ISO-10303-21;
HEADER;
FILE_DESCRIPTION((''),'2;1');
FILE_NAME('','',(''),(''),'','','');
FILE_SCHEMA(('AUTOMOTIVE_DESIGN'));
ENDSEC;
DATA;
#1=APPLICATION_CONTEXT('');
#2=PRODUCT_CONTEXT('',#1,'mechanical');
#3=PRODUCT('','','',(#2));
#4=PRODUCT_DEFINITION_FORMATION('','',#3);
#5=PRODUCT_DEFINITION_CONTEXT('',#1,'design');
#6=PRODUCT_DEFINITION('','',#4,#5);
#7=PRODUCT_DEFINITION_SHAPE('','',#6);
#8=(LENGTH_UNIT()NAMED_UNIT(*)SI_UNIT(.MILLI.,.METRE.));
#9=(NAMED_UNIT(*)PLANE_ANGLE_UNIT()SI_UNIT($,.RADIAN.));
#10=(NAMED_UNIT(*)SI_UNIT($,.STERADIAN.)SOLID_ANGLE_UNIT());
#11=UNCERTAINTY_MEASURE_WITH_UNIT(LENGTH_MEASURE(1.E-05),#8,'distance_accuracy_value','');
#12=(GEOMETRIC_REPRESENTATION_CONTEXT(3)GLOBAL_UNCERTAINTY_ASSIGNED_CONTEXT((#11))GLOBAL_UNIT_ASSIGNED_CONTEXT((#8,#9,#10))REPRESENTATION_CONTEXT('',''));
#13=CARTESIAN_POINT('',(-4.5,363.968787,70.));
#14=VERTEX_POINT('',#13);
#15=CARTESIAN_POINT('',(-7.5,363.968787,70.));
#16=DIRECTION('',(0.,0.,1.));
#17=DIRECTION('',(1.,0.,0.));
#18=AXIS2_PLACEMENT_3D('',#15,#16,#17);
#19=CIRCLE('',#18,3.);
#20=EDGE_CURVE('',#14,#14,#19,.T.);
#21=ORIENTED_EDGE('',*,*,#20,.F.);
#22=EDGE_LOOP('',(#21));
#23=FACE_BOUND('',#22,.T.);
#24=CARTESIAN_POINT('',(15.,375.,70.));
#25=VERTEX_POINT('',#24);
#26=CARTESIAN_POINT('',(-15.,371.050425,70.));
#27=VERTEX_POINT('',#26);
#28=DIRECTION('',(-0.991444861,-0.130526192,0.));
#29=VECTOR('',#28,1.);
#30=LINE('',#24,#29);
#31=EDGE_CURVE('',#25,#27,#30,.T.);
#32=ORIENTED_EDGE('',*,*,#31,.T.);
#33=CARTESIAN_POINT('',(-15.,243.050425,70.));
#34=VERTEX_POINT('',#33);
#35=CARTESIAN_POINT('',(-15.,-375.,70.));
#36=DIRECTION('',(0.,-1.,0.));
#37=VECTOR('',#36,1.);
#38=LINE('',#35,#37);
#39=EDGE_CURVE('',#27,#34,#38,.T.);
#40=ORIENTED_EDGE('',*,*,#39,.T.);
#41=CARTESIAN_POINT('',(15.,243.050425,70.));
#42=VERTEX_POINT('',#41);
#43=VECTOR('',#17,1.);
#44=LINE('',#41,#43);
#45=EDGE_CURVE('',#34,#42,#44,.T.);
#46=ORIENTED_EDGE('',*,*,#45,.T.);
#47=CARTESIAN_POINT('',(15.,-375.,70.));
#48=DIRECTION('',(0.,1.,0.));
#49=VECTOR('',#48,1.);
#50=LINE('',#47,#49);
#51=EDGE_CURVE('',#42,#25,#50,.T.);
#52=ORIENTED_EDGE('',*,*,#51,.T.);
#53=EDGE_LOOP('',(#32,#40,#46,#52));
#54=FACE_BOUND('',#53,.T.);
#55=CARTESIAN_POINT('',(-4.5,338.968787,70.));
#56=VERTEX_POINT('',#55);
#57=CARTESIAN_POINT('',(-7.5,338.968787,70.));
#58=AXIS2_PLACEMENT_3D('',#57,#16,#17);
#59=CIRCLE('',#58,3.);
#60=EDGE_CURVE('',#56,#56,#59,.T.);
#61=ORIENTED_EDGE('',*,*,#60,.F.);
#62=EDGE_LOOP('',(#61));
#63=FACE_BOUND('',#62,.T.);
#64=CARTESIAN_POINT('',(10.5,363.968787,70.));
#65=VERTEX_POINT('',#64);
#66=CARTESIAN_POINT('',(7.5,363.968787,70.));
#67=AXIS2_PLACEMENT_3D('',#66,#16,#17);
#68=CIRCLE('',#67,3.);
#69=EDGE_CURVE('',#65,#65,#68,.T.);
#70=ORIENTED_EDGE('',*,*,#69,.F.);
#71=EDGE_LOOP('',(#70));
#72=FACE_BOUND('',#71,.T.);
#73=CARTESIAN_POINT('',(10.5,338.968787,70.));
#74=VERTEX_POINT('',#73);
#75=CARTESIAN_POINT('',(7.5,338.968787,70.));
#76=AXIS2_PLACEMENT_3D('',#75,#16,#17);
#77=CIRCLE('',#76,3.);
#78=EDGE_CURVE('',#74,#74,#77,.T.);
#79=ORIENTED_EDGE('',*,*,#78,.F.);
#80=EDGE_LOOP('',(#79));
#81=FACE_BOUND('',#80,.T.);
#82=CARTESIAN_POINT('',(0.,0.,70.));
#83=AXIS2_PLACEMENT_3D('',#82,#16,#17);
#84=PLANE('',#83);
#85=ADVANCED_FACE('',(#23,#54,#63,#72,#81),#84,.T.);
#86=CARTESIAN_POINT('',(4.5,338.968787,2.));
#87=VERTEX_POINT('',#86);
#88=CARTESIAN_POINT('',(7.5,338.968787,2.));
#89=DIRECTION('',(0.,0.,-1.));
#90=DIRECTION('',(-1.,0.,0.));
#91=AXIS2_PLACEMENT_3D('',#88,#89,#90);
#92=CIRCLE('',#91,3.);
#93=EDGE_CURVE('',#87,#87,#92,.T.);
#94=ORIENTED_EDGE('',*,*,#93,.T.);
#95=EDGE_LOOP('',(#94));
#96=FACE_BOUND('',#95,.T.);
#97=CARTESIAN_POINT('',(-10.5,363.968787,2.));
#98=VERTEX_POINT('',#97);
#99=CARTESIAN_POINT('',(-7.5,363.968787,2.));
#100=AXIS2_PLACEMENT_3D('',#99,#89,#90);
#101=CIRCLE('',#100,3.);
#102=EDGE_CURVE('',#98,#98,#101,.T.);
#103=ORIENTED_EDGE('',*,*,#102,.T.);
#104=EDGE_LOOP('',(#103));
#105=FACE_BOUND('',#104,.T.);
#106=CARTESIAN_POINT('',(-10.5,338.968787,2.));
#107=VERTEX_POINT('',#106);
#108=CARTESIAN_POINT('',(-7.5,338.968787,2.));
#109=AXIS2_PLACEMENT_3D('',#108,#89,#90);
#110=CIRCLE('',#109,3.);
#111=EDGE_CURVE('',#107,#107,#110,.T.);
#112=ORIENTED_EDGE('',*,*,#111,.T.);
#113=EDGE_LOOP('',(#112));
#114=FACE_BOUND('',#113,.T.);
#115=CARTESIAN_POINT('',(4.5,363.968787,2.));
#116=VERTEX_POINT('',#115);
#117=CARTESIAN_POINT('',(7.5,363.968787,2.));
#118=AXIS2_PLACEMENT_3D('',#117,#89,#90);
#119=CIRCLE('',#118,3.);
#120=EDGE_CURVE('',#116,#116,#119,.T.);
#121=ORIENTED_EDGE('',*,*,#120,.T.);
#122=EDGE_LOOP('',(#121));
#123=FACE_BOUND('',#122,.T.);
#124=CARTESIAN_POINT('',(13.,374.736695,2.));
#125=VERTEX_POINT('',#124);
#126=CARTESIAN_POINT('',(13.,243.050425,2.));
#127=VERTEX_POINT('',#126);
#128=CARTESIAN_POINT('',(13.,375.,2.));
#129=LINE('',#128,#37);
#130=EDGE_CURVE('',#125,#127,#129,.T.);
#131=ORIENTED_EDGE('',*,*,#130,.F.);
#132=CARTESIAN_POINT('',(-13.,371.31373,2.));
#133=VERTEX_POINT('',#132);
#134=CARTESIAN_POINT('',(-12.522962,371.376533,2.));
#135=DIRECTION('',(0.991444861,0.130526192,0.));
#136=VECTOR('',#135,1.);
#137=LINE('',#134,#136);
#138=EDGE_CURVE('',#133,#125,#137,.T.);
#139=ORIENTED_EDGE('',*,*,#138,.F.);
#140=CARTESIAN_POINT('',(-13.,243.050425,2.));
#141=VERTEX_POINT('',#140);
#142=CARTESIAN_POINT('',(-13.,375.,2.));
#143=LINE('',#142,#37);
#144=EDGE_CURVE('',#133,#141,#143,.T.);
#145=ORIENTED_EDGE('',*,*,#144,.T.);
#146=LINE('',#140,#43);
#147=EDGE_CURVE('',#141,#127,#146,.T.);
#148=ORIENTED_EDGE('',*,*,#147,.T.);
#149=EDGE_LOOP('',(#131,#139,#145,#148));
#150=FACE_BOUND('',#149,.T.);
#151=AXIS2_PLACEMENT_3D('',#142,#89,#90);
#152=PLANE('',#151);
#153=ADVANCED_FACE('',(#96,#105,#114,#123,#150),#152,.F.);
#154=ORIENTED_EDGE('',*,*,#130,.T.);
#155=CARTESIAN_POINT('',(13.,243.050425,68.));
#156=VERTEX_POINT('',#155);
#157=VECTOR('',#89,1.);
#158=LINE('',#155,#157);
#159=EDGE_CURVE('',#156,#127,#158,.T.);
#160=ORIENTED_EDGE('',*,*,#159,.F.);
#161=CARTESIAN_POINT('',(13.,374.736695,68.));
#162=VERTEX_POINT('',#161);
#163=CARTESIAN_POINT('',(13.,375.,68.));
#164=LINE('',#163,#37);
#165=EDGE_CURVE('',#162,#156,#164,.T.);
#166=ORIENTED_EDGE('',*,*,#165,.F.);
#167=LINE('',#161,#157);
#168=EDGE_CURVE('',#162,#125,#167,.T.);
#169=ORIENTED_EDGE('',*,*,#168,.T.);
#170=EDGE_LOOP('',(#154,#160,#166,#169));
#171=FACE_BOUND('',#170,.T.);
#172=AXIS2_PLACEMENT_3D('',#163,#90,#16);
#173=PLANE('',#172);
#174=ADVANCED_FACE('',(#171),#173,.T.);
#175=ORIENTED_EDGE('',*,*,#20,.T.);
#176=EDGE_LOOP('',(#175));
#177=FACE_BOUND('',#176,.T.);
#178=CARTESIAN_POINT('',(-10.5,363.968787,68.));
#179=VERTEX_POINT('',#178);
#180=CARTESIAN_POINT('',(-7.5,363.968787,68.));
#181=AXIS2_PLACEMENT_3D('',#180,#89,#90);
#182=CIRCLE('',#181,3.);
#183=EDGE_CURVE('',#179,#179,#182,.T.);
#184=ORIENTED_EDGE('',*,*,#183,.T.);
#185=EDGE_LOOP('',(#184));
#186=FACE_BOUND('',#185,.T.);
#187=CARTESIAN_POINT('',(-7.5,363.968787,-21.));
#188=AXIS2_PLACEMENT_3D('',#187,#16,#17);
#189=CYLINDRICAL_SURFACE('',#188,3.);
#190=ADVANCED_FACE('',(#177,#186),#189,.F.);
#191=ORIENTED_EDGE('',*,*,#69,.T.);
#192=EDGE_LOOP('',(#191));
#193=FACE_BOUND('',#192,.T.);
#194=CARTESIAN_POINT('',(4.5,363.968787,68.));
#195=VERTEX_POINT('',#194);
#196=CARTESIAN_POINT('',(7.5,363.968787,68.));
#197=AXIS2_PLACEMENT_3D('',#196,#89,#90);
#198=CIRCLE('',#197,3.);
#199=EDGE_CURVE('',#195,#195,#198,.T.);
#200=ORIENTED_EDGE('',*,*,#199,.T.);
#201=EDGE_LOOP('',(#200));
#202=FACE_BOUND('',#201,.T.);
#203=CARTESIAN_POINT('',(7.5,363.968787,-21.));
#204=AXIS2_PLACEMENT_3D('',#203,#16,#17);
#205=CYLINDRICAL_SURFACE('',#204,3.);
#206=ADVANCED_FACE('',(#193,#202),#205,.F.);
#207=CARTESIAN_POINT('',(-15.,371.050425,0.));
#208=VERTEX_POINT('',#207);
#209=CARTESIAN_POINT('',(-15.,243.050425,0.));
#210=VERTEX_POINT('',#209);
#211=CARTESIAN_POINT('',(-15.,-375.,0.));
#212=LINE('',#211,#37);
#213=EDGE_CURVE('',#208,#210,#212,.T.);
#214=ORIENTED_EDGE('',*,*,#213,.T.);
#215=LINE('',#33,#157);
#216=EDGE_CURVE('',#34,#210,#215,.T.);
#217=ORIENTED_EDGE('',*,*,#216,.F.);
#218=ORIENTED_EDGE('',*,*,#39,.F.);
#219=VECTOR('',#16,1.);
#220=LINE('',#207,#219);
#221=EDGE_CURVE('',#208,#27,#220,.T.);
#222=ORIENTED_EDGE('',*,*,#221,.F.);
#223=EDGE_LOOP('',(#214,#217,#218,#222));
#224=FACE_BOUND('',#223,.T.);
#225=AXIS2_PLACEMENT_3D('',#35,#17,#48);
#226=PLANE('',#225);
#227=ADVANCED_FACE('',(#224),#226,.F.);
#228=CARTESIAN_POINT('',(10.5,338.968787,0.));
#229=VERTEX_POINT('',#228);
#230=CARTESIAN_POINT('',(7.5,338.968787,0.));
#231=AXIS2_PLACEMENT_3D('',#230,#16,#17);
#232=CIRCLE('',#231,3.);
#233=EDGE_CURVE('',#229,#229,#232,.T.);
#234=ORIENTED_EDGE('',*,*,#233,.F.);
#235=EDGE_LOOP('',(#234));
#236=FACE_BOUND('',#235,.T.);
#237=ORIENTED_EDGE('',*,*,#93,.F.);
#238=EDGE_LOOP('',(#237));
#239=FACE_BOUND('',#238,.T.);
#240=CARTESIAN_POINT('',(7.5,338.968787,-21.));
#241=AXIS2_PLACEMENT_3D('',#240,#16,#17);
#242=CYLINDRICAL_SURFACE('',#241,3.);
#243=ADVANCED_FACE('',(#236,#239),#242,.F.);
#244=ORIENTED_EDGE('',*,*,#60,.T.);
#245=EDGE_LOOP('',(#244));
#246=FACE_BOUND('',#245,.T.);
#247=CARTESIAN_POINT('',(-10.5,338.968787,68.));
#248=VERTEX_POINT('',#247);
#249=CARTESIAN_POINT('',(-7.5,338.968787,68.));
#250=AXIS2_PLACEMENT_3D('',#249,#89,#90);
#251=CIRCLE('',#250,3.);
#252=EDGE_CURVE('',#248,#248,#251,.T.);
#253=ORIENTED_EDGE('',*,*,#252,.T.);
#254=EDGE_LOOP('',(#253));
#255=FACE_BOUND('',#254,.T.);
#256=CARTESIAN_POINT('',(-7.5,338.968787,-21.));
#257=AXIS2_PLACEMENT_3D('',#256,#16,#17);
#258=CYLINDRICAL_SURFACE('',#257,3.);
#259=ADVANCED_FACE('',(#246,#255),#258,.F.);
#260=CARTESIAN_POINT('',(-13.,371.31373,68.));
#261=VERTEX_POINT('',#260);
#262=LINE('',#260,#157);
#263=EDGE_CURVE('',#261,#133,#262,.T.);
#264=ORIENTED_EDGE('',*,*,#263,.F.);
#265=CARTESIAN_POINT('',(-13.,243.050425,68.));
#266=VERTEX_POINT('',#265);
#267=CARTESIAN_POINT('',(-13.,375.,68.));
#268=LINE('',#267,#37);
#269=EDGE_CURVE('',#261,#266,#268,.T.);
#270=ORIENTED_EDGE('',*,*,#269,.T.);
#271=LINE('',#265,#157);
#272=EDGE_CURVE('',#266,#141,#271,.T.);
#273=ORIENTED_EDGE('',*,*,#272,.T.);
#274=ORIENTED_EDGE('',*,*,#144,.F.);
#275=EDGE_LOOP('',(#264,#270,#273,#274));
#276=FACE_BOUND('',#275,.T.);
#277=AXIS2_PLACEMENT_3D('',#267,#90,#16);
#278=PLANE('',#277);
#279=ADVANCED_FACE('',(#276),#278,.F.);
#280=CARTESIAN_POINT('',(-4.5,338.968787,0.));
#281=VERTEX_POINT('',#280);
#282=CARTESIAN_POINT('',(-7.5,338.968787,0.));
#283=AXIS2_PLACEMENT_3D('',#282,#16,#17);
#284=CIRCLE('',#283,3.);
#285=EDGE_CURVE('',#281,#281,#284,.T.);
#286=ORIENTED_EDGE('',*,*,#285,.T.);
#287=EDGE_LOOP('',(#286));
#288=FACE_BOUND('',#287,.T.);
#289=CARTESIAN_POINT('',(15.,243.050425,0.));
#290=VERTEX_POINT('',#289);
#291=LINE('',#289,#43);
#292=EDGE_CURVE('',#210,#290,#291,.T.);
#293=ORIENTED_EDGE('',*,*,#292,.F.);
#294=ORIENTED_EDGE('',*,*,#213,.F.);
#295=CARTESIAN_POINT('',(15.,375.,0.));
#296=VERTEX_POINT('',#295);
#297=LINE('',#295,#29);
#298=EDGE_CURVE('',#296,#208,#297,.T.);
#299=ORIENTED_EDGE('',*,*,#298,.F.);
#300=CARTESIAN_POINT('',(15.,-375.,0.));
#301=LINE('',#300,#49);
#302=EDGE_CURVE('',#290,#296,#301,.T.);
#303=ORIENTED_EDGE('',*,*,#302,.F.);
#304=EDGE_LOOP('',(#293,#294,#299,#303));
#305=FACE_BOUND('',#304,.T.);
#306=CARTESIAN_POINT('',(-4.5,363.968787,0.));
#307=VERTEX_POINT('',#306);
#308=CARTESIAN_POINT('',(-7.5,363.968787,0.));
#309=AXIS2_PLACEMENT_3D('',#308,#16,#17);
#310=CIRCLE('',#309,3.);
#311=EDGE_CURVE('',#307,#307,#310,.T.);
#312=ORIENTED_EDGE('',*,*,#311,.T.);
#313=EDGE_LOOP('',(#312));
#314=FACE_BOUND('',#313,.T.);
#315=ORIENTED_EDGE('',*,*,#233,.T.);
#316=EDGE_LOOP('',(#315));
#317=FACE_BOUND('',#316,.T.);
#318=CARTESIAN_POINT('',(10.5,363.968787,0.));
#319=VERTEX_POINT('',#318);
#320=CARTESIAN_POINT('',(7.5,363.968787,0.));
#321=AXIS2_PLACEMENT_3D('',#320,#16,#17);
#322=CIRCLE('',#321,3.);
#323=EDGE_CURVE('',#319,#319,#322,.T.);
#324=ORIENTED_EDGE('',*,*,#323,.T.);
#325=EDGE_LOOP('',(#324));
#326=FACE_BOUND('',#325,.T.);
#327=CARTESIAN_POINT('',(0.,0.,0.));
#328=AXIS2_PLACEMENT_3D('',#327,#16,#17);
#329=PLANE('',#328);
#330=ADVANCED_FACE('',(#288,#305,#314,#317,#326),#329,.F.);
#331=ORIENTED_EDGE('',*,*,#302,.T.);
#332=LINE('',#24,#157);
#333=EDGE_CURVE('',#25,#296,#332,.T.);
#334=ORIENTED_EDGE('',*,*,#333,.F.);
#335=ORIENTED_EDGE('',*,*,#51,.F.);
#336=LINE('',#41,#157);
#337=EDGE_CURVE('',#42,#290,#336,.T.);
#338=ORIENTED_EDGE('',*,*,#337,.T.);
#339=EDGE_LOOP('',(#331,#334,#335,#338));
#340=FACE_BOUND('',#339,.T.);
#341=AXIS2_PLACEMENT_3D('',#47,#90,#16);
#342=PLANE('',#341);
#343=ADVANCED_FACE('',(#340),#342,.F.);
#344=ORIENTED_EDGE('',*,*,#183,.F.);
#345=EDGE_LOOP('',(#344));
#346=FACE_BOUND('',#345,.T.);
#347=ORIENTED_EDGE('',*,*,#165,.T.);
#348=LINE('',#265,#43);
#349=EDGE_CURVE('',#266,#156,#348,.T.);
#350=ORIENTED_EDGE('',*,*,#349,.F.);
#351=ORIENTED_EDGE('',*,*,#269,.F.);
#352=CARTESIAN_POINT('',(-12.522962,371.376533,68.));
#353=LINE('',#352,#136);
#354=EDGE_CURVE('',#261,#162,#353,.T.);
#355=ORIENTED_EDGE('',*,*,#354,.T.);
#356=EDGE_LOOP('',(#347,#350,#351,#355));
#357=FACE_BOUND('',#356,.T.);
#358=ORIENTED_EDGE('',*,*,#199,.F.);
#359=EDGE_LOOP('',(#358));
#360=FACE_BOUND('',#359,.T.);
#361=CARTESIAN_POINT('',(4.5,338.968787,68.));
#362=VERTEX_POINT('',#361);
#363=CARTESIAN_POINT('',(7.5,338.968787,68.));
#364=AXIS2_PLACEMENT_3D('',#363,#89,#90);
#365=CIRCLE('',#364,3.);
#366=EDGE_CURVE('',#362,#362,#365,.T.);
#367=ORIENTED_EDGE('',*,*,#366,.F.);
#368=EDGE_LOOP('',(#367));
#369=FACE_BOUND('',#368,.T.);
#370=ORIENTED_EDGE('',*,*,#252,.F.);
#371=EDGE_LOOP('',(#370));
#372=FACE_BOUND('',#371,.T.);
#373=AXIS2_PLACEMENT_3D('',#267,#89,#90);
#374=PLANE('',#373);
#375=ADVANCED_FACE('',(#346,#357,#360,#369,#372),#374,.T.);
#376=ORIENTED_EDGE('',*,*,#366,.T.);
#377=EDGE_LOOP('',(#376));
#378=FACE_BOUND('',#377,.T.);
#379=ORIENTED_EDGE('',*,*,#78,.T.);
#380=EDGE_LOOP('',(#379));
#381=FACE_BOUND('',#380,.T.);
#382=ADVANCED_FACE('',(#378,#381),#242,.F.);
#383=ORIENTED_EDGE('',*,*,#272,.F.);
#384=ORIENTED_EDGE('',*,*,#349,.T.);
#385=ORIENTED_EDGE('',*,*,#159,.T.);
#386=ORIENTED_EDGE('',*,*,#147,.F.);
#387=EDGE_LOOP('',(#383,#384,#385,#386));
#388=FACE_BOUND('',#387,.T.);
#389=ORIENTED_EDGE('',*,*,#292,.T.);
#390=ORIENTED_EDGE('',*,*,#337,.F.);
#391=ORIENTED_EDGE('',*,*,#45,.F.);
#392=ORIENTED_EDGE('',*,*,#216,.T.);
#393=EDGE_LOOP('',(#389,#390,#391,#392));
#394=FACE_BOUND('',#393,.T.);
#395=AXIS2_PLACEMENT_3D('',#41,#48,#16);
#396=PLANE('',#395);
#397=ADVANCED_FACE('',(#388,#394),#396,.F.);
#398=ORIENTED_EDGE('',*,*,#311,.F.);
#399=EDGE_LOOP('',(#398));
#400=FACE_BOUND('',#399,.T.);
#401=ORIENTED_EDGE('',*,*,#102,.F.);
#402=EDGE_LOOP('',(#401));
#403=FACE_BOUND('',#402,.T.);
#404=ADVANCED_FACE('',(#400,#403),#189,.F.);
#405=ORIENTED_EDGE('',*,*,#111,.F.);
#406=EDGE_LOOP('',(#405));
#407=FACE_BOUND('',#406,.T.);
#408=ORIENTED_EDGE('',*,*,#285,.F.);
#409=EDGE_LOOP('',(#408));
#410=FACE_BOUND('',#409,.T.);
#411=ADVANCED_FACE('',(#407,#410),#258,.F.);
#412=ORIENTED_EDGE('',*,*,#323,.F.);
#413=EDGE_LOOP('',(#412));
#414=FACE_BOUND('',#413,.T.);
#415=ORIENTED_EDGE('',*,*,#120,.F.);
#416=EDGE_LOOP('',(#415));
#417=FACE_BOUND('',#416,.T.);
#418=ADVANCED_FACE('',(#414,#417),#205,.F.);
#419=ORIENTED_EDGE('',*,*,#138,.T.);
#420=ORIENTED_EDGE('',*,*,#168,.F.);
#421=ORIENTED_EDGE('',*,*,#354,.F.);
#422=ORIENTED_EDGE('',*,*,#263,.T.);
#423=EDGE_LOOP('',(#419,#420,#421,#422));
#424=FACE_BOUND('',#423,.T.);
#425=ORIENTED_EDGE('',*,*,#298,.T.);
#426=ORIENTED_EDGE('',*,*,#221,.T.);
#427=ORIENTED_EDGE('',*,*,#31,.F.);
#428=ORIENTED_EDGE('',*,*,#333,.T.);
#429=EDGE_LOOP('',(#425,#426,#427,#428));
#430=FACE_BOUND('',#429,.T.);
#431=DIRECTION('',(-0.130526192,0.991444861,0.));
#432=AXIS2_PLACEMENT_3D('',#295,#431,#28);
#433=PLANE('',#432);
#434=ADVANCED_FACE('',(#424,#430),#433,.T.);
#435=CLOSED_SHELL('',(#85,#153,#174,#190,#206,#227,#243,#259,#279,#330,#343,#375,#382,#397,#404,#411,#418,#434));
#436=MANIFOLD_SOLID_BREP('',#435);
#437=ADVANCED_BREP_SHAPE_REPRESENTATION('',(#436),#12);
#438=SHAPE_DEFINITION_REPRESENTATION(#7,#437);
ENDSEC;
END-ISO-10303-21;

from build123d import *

# Parameters (mm, degrees)
SKETCH_1_W          = 30
SKETCH_1_H          = 750
SKETCH_1_R          = 2.000000003
SKETCH_1_R_2        = 2.000000001
EXTRUDE_2_DEPTH     = 70
SKETCH_2_W          = 26
SKETCH_2_H          = 66
CUT_EXTRUDE_3_DEPTH = 751
CUT_EXTRUDE_4_DEPTH = 71
SKETCH_4_W          = 30
SKETCH_4_H          = 922.920510985
CUT_EXTRUDE_5_DEPTH = 71
SKETCH_5_R          = 3
CUT_EXTRUDE_6_DEPTH = 91


with BuildPart() as part:
    # 草图1 → 凸台-拉伸2 (new body)
    with BuildSketch(Plane.XY):
        Rectangle(SKETCH_1_W, SKETCH_1_H)
        with Locations((-7.5, 363.96878712)):
            Circle(SKETCH_1_R, mode=Mode.SUBTRACT)
        with Locations((7.5, 363.96878712)):
            Circle(SKETCH_1_R, mode=Mode.SUBTRACT)
        with Locations((-7.5, 338.96878712)):
            Circle(SKETCH_1_R, mode=Mode.SUBTRACT)
        with Locations((7.5, 338.96878712)):
            Circle(SKETCH_1_R, mode=Mode.SUBTRACT)
        with Locations((-7.5, -312.867936975)):
            Circle(SKETCH_1_R_2, mode=Mode.SUBTRACT)
        with Locations((7.5, -312.867936975)):
            Circle(SKETCH_1_R_2, mode=Mode.SUBTRACT)
        with Locations((-7.5, -337.867936975)):
            Circle(SKETCH_1_R_2, mode=Mode.SUBTRACT)
        with Locations((7.5, -337.867936975)):
            Circle(SKETCH_1_R_2, mode=Mode.SUBTRACT)
    extrude(amount=EXTRUDE_2_DEPTH)

    # 草图2 → 切除-拉伸3 (cut, through all)
    with BuildSketch(Plane.XZ.offset(375)):
        with Locations((0, 35)):
            Rectangle(SKETCH_2_W, SKETCH_2_H)
    extrude(amount=-CUT_EXTRUDE_3_DEPTH, mode=Mode.SUBTRACT)

    # 草图3 → 切除-拉伸4 (cut, through all)
    with BuildSketch(Plane.XY.offset(70)):
        Polygon((15, -375), (15, -347.1), (-15, -343.150425072), (-15, -375), align=None)
        Polygon((15, 377.040830045), (15, 375), (-15, 371.050425072), (-15, 377.040830045), align=None)
    extrude(amount=-CUT_EXTRUDE_4_DEPTH, mode=Mode.SUBTRACT)

    # 草图4 → 切除-拉伸5 (cut, through all)
    with BuildSketch(Plane(origin=(0, 0, 0), x_dir=(-1, 0, 0), z_dir=(0, 0, -1))):
        with Locations((0, -218.40983042)):
            Rectangle(SKETCH_4_W, SKETCH_4_H)
    extrude(amount=-CUT_EXTRUDE_5_DEPTH, mode=Mode.SUBTRACT)

    # 草图5 → 切除-拉伸6 (cut)
    with BuildSketch(Plane.XY.offset(70)):
        with Locations((-7.5, 363.96878712)):
            Circle(SKETCH_5_R)
        with Locations((7.5, 363.96878712)):
            Circle(SKETCH_5_R)
        with Locations((7.5, 338.96878712)):
            Circle(SKETCH_5_R)
        with Locations((-7.5, 338.96878712)):
            Circle(SKETCH_5_R)
    extrude(amount=-CUT_EXTRUDE_6_DEPTH, mode=Mode.SUBTRACT)


solid = part.part
